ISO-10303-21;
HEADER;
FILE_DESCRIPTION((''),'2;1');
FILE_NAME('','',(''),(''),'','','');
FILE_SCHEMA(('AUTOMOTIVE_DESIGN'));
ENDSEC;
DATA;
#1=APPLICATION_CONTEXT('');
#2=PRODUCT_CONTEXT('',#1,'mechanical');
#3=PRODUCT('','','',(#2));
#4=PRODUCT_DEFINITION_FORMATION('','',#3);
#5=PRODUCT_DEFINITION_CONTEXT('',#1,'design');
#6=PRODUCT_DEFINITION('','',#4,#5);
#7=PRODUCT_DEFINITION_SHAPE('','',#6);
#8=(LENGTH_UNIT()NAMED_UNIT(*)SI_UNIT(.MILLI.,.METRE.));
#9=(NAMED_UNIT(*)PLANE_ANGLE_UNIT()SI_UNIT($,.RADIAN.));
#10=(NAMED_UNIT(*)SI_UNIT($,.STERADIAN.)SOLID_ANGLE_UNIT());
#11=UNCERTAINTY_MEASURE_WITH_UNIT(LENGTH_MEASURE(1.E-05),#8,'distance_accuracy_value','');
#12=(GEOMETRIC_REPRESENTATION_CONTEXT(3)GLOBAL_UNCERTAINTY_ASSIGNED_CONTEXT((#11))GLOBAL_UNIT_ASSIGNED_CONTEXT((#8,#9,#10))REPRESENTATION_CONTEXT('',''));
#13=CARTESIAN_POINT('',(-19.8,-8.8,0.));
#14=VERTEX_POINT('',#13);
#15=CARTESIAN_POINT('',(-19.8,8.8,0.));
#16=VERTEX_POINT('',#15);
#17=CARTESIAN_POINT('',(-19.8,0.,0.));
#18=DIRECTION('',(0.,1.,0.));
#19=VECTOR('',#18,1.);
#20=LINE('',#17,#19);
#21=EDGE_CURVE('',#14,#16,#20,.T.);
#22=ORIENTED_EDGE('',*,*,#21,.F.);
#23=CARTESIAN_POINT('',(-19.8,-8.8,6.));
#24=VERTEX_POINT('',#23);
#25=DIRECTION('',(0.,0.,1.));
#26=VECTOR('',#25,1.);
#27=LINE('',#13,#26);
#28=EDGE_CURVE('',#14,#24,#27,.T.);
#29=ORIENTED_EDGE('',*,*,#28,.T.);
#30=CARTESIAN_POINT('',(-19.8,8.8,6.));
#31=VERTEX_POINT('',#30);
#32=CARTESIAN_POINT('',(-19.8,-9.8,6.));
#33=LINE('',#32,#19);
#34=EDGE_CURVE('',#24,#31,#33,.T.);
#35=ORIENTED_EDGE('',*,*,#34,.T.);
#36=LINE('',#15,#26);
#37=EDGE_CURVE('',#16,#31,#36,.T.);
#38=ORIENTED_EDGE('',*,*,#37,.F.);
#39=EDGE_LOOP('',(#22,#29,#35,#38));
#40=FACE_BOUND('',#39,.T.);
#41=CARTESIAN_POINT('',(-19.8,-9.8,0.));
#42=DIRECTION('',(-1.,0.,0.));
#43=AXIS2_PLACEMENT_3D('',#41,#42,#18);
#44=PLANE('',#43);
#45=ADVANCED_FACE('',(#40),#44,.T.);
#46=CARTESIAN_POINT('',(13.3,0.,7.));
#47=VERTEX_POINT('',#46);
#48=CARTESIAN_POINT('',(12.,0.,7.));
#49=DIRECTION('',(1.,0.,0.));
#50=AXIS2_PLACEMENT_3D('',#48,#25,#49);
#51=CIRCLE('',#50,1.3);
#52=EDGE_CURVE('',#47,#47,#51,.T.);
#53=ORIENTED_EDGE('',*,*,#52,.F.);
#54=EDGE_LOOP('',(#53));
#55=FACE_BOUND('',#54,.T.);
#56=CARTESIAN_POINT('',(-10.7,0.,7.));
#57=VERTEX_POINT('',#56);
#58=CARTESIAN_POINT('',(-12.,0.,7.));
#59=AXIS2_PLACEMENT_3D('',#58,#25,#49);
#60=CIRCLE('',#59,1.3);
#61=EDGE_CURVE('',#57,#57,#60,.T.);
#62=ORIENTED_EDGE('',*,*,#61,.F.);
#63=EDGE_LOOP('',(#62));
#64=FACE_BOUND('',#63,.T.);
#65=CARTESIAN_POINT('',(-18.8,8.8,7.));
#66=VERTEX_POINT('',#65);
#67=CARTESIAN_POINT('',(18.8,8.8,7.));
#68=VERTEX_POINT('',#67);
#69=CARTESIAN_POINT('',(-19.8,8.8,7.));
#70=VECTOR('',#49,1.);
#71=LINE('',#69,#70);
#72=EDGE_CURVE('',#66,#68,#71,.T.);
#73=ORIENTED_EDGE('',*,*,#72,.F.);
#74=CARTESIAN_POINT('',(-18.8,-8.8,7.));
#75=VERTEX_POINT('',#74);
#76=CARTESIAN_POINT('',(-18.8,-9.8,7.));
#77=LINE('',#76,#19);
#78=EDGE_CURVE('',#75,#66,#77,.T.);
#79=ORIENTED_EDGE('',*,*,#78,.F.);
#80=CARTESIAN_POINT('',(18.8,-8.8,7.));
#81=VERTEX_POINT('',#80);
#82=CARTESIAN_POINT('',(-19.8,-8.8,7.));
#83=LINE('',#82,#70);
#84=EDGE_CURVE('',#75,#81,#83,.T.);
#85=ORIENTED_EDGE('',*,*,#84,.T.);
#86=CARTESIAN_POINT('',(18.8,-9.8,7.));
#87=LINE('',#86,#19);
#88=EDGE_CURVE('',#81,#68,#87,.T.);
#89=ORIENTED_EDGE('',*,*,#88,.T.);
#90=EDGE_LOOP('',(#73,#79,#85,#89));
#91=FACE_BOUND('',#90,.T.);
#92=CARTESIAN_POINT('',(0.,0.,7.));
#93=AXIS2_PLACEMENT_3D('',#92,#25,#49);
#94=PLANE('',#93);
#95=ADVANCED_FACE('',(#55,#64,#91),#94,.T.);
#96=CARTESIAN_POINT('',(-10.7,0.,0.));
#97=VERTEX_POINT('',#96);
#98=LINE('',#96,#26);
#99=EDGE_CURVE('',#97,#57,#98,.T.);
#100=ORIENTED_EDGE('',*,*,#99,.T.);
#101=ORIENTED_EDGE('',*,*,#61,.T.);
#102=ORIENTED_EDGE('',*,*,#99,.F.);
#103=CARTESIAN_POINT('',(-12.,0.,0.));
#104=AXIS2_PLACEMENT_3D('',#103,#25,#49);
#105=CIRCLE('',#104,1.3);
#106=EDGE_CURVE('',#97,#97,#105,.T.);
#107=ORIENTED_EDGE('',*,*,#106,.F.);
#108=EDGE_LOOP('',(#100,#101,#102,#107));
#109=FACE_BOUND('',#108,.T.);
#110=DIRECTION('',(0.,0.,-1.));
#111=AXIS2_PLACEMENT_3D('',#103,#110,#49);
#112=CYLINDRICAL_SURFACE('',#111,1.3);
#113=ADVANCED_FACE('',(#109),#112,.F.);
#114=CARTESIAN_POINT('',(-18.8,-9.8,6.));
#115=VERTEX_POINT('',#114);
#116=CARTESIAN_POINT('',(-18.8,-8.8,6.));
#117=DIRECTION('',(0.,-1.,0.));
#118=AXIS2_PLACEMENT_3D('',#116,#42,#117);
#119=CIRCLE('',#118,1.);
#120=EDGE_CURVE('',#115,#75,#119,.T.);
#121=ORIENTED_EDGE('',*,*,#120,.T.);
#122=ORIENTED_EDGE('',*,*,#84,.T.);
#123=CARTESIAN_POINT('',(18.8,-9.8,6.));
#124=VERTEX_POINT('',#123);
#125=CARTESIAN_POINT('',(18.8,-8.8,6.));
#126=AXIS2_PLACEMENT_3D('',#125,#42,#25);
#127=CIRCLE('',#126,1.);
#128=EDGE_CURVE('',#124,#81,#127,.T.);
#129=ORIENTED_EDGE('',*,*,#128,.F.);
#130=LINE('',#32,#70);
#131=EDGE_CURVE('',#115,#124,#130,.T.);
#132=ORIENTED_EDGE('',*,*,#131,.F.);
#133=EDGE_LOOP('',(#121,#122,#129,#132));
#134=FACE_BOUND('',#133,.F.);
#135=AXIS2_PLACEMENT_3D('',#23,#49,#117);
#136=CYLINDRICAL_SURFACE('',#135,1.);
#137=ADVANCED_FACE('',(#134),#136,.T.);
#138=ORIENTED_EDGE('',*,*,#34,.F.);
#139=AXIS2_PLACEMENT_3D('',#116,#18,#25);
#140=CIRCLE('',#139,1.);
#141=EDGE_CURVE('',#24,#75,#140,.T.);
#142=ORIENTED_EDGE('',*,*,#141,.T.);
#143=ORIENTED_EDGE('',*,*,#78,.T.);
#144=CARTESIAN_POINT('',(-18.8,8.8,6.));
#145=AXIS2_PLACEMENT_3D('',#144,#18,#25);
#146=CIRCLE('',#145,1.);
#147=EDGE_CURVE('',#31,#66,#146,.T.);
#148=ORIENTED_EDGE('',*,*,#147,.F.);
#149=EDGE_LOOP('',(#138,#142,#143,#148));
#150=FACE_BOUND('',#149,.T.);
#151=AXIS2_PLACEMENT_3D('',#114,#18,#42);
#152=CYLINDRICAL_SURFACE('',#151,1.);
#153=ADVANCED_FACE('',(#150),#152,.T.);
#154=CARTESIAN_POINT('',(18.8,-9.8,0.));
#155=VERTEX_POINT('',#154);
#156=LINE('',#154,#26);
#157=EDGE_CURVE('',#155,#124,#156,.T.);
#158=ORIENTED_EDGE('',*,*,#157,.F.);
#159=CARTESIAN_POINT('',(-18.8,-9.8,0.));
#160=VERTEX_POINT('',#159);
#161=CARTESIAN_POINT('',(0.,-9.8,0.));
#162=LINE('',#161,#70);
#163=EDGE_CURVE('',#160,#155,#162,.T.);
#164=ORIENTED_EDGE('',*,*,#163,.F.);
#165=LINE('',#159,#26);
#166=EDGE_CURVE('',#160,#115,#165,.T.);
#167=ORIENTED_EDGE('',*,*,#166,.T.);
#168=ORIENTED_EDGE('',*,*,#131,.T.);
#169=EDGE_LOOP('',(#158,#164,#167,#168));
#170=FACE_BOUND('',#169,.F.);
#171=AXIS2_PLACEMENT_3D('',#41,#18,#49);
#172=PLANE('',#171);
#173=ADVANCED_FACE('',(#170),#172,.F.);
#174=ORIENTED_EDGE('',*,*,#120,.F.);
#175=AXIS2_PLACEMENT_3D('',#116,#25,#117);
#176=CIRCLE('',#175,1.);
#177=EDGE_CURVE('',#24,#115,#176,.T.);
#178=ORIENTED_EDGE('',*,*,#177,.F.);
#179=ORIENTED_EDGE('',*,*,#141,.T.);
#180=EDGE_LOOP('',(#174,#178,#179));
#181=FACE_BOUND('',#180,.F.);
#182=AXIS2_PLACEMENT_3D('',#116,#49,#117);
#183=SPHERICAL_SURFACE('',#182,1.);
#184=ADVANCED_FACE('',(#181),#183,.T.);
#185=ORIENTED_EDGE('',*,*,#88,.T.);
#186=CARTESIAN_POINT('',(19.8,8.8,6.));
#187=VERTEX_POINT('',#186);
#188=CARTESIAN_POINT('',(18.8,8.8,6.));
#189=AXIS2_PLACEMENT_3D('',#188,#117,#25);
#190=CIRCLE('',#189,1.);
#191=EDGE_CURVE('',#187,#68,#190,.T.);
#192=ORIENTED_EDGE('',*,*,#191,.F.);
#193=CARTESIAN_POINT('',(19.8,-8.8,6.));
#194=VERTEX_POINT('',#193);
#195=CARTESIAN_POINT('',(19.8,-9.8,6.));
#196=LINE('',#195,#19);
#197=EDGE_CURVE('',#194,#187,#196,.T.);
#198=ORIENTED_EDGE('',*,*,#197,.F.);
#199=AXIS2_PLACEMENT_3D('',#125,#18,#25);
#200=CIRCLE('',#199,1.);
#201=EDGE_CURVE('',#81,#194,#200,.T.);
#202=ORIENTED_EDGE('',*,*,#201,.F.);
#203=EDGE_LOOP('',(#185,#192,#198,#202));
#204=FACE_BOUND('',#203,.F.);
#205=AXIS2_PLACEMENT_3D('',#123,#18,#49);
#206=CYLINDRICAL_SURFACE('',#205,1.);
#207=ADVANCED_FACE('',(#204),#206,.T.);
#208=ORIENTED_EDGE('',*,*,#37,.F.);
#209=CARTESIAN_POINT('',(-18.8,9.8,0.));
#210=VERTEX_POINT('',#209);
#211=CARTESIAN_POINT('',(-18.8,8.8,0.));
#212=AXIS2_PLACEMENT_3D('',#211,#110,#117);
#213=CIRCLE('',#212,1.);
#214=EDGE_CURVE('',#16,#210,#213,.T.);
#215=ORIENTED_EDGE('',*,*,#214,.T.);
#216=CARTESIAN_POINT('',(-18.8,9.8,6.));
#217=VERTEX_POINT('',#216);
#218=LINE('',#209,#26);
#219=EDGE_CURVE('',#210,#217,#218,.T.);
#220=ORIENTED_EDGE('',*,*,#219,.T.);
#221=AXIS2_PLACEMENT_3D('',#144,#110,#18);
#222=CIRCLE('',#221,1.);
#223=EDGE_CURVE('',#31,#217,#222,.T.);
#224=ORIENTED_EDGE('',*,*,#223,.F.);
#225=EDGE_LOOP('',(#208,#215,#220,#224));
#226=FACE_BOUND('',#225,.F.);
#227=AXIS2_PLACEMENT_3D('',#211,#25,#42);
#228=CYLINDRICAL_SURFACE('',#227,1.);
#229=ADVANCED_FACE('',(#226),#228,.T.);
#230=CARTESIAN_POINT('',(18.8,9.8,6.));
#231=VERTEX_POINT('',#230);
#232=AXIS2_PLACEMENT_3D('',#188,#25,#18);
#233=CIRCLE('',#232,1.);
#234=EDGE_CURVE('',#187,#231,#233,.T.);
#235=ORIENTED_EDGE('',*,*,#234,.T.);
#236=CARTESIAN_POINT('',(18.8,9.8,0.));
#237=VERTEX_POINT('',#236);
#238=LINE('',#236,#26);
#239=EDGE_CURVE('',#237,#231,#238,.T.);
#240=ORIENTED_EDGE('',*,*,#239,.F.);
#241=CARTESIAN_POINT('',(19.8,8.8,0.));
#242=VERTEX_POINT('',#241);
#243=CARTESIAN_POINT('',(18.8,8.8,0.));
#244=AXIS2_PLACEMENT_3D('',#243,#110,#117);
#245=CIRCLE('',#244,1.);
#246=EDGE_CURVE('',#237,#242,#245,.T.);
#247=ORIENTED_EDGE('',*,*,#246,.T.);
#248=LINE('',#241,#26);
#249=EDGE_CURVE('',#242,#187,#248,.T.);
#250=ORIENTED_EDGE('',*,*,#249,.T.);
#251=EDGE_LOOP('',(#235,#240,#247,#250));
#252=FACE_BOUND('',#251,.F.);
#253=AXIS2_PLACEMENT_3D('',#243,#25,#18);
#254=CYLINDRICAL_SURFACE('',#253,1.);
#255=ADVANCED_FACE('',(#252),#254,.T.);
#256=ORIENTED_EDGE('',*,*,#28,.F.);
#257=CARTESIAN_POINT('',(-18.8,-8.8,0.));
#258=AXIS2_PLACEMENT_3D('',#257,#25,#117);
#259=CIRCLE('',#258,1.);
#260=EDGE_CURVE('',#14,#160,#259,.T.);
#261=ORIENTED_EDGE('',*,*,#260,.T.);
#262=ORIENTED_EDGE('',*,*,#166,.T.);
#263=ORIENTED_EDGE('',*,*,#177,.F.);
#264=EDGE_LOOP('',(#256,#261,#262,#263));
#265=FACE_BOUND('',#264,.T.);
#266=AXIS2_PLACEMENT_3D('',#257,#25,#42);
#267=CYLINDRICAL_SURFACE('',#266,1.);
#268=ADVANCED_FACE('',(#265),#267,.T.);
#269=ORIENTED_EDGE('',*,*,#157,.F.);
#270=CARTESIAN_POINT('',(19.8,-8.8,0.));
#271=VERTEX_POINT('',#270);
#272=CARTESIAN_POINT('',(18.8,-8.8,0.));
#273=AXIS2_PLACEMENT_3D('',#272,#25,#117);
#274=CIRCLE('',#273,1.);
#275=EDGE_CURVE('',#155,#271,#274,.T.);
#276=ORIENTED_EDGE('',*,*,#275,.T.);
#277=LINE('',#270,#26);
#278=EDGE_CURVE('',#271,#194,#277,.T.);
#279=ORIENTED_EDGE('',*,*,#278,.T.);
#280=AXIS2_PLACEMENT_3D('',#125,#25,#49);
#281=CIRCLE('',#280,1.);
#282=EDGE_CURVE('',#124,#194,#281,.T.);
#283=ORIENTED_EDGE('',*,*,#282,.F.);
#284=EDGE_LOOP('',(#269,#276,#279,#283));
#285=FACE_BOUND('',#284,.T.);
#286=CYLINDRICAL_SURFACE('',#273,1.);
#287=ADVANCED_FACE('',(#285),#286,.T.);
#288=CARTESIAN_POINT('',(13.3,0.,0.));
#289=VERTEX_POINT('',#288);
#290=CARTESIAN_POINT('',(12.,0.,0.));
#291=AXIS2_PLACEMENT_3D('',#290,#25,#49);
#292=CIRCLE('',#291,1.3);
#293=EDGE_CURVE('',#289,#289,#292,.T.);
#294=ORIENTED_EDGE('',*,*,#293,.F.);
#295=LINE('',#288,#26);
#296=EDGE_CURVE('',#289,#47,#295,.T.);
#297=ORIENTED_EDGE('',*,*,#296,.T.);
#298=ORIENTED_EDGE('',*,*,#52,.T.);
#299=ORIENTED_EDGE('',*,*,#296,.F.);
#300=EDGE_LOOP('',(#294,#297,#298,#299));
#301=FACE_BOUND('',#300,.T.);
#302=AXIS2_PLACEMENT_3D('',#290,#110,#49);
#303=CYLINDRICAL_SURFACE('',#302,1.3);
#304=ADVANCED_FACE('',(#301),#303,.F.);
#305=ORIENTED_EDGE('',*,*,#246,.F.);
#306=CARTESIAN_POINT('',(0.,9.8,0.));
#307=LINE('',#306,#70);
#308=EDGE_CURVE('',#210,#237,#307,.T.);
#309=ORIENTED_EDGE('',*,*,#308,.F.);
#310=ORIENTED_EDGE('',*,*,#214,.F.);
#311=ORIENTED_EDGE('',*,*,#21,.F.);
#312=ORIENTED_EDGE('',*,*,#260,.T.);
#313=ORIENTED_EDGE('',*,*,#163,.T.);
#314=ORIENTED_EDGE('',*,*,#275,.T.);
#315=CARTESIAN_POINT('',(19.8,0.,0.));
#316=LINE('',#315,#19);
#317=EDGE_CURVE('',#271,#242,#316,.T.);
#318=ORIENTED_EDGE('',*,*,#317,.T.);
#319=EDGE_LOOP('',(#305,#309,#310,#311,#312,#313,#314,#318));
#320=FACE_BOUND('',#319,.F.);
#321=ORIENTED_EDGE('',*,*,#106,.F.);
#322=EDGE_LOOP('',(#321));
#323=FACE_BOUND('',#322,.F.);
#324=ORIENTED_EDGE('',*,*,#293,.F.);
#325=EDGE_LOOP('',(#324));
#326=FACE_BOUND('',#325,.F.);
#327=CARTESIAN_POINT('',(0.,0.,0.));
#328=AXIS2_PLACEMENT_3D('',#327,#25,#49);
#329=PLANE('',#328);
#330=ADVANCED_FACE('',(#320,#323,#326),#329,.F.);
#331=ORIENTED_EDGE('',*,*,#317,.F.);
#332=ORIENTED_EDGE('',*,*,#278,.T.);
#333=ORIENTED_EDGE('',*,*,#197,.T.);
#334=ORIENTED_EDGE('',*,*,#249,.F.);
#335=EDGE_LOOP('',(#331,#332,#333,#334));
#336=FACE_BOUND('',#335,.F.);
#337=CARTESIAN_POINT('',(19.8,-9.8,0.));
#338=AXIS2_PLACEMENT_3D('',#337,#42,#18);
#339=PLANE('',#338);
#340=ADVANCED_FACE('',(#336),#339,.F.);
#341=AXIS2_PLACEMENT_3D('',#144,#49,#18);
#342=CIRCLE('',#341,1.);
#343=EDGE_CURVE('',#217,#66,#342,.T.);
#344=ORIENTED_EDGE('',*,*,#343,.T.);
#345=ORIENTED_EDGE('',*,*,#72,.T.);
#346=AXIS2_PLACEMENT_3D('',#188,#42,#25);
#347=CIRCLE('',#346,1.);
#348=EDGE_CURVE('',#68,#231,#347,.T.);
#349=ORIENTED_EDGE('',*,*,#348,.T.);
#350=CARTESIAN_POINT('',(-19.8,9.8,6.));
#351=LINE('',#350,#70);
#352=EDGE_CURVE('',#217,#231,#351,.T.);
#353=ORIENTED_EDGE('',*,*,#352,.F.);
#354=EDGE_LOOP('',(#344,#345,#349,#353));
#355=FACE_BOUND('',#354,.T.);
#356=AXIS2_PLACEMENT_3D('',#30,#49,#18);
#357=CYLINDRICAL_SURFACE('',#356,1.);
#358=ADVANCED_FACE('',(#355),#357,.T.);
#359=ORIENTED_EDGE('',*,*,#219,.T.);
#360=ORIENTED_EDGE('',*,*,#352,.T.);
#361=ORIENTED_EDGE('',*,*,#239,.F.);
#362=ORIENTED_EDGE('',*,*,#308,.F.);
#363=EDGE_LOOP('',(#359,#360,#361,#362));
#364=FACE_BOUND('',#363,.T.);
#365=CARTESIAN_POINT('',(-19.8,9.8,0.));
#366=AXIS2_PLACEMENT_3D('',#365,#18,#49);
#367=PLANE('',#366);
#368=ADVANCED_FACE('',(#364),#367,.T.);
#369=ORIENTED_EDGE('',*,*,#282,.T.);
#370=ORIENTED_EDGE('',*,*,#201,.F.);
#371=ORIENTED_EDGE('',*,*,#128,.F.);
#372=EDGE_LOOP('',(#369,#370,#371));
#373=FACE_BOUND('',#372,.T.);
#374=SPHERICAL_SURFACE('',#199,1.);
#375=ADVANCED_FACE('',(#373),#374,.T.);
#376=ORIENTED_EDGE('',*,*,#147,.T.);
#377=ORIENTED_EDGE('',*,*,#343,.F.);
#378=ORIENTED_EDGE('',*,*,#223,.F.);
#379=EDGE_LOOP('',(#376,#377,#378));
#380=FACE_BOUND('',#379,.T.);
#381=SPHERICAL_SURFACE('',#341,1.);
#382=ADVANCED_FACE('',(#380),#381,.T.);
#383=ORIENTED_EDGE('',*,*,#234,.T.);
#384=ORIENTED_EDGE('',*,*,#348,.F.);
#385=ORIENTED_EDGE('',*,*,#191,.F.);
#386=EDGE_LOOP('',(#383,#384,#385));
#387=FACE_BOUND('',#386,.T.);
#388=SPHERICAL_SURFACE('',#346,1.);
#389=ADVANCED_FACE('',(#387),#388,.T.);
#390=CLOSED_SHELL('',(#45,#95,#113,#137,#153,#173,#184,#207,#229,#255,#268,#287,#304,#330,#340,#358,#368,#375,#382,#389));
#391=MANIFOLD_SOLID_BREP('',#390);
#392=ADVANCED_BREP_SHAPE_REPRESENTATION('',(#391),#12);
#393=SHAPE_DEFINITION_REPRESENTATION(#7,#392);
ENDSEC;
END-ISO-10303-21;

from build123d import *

# Parameters (mm, degrees)
F0_W     = 39.6
F0_H     = 19.6
F0_R     = 1.3
F1_DEPTH = 7
F2_R     = 1


with BuildPart() as f1:
    # F0 (on Top) → F1 (new body)
    with BuildSketch(Plane.XY):
        Rectangle(F0_W, F0_H)
        with Locations((-12, 0)):
            Circle(F0_R, mode=Mode.SUBTRACT)
        with Locations((12, 0)):
            Circle(F0_R, mode=Mode.SUBTRACT)
    extrude(amount=F1_DEPTH)

    # F2
    f2_edges = [f1.edges().sort_by_distance(p)[0] for p in [
        (0, 9.8, 7),
        (19.8, 0, 7),
        (0, -9.8, 7),
        (19.8, 9.8, 3.5),
        (19.8, -9.8, 3.5),
        (-19.8, -9.8, 3.5),
        (-19.8, 9.8, 3.5),
        (-19.8, 0, 7),
    ]]
    fillet(f2_edges, radius=F2_R)


solid = f1.part
